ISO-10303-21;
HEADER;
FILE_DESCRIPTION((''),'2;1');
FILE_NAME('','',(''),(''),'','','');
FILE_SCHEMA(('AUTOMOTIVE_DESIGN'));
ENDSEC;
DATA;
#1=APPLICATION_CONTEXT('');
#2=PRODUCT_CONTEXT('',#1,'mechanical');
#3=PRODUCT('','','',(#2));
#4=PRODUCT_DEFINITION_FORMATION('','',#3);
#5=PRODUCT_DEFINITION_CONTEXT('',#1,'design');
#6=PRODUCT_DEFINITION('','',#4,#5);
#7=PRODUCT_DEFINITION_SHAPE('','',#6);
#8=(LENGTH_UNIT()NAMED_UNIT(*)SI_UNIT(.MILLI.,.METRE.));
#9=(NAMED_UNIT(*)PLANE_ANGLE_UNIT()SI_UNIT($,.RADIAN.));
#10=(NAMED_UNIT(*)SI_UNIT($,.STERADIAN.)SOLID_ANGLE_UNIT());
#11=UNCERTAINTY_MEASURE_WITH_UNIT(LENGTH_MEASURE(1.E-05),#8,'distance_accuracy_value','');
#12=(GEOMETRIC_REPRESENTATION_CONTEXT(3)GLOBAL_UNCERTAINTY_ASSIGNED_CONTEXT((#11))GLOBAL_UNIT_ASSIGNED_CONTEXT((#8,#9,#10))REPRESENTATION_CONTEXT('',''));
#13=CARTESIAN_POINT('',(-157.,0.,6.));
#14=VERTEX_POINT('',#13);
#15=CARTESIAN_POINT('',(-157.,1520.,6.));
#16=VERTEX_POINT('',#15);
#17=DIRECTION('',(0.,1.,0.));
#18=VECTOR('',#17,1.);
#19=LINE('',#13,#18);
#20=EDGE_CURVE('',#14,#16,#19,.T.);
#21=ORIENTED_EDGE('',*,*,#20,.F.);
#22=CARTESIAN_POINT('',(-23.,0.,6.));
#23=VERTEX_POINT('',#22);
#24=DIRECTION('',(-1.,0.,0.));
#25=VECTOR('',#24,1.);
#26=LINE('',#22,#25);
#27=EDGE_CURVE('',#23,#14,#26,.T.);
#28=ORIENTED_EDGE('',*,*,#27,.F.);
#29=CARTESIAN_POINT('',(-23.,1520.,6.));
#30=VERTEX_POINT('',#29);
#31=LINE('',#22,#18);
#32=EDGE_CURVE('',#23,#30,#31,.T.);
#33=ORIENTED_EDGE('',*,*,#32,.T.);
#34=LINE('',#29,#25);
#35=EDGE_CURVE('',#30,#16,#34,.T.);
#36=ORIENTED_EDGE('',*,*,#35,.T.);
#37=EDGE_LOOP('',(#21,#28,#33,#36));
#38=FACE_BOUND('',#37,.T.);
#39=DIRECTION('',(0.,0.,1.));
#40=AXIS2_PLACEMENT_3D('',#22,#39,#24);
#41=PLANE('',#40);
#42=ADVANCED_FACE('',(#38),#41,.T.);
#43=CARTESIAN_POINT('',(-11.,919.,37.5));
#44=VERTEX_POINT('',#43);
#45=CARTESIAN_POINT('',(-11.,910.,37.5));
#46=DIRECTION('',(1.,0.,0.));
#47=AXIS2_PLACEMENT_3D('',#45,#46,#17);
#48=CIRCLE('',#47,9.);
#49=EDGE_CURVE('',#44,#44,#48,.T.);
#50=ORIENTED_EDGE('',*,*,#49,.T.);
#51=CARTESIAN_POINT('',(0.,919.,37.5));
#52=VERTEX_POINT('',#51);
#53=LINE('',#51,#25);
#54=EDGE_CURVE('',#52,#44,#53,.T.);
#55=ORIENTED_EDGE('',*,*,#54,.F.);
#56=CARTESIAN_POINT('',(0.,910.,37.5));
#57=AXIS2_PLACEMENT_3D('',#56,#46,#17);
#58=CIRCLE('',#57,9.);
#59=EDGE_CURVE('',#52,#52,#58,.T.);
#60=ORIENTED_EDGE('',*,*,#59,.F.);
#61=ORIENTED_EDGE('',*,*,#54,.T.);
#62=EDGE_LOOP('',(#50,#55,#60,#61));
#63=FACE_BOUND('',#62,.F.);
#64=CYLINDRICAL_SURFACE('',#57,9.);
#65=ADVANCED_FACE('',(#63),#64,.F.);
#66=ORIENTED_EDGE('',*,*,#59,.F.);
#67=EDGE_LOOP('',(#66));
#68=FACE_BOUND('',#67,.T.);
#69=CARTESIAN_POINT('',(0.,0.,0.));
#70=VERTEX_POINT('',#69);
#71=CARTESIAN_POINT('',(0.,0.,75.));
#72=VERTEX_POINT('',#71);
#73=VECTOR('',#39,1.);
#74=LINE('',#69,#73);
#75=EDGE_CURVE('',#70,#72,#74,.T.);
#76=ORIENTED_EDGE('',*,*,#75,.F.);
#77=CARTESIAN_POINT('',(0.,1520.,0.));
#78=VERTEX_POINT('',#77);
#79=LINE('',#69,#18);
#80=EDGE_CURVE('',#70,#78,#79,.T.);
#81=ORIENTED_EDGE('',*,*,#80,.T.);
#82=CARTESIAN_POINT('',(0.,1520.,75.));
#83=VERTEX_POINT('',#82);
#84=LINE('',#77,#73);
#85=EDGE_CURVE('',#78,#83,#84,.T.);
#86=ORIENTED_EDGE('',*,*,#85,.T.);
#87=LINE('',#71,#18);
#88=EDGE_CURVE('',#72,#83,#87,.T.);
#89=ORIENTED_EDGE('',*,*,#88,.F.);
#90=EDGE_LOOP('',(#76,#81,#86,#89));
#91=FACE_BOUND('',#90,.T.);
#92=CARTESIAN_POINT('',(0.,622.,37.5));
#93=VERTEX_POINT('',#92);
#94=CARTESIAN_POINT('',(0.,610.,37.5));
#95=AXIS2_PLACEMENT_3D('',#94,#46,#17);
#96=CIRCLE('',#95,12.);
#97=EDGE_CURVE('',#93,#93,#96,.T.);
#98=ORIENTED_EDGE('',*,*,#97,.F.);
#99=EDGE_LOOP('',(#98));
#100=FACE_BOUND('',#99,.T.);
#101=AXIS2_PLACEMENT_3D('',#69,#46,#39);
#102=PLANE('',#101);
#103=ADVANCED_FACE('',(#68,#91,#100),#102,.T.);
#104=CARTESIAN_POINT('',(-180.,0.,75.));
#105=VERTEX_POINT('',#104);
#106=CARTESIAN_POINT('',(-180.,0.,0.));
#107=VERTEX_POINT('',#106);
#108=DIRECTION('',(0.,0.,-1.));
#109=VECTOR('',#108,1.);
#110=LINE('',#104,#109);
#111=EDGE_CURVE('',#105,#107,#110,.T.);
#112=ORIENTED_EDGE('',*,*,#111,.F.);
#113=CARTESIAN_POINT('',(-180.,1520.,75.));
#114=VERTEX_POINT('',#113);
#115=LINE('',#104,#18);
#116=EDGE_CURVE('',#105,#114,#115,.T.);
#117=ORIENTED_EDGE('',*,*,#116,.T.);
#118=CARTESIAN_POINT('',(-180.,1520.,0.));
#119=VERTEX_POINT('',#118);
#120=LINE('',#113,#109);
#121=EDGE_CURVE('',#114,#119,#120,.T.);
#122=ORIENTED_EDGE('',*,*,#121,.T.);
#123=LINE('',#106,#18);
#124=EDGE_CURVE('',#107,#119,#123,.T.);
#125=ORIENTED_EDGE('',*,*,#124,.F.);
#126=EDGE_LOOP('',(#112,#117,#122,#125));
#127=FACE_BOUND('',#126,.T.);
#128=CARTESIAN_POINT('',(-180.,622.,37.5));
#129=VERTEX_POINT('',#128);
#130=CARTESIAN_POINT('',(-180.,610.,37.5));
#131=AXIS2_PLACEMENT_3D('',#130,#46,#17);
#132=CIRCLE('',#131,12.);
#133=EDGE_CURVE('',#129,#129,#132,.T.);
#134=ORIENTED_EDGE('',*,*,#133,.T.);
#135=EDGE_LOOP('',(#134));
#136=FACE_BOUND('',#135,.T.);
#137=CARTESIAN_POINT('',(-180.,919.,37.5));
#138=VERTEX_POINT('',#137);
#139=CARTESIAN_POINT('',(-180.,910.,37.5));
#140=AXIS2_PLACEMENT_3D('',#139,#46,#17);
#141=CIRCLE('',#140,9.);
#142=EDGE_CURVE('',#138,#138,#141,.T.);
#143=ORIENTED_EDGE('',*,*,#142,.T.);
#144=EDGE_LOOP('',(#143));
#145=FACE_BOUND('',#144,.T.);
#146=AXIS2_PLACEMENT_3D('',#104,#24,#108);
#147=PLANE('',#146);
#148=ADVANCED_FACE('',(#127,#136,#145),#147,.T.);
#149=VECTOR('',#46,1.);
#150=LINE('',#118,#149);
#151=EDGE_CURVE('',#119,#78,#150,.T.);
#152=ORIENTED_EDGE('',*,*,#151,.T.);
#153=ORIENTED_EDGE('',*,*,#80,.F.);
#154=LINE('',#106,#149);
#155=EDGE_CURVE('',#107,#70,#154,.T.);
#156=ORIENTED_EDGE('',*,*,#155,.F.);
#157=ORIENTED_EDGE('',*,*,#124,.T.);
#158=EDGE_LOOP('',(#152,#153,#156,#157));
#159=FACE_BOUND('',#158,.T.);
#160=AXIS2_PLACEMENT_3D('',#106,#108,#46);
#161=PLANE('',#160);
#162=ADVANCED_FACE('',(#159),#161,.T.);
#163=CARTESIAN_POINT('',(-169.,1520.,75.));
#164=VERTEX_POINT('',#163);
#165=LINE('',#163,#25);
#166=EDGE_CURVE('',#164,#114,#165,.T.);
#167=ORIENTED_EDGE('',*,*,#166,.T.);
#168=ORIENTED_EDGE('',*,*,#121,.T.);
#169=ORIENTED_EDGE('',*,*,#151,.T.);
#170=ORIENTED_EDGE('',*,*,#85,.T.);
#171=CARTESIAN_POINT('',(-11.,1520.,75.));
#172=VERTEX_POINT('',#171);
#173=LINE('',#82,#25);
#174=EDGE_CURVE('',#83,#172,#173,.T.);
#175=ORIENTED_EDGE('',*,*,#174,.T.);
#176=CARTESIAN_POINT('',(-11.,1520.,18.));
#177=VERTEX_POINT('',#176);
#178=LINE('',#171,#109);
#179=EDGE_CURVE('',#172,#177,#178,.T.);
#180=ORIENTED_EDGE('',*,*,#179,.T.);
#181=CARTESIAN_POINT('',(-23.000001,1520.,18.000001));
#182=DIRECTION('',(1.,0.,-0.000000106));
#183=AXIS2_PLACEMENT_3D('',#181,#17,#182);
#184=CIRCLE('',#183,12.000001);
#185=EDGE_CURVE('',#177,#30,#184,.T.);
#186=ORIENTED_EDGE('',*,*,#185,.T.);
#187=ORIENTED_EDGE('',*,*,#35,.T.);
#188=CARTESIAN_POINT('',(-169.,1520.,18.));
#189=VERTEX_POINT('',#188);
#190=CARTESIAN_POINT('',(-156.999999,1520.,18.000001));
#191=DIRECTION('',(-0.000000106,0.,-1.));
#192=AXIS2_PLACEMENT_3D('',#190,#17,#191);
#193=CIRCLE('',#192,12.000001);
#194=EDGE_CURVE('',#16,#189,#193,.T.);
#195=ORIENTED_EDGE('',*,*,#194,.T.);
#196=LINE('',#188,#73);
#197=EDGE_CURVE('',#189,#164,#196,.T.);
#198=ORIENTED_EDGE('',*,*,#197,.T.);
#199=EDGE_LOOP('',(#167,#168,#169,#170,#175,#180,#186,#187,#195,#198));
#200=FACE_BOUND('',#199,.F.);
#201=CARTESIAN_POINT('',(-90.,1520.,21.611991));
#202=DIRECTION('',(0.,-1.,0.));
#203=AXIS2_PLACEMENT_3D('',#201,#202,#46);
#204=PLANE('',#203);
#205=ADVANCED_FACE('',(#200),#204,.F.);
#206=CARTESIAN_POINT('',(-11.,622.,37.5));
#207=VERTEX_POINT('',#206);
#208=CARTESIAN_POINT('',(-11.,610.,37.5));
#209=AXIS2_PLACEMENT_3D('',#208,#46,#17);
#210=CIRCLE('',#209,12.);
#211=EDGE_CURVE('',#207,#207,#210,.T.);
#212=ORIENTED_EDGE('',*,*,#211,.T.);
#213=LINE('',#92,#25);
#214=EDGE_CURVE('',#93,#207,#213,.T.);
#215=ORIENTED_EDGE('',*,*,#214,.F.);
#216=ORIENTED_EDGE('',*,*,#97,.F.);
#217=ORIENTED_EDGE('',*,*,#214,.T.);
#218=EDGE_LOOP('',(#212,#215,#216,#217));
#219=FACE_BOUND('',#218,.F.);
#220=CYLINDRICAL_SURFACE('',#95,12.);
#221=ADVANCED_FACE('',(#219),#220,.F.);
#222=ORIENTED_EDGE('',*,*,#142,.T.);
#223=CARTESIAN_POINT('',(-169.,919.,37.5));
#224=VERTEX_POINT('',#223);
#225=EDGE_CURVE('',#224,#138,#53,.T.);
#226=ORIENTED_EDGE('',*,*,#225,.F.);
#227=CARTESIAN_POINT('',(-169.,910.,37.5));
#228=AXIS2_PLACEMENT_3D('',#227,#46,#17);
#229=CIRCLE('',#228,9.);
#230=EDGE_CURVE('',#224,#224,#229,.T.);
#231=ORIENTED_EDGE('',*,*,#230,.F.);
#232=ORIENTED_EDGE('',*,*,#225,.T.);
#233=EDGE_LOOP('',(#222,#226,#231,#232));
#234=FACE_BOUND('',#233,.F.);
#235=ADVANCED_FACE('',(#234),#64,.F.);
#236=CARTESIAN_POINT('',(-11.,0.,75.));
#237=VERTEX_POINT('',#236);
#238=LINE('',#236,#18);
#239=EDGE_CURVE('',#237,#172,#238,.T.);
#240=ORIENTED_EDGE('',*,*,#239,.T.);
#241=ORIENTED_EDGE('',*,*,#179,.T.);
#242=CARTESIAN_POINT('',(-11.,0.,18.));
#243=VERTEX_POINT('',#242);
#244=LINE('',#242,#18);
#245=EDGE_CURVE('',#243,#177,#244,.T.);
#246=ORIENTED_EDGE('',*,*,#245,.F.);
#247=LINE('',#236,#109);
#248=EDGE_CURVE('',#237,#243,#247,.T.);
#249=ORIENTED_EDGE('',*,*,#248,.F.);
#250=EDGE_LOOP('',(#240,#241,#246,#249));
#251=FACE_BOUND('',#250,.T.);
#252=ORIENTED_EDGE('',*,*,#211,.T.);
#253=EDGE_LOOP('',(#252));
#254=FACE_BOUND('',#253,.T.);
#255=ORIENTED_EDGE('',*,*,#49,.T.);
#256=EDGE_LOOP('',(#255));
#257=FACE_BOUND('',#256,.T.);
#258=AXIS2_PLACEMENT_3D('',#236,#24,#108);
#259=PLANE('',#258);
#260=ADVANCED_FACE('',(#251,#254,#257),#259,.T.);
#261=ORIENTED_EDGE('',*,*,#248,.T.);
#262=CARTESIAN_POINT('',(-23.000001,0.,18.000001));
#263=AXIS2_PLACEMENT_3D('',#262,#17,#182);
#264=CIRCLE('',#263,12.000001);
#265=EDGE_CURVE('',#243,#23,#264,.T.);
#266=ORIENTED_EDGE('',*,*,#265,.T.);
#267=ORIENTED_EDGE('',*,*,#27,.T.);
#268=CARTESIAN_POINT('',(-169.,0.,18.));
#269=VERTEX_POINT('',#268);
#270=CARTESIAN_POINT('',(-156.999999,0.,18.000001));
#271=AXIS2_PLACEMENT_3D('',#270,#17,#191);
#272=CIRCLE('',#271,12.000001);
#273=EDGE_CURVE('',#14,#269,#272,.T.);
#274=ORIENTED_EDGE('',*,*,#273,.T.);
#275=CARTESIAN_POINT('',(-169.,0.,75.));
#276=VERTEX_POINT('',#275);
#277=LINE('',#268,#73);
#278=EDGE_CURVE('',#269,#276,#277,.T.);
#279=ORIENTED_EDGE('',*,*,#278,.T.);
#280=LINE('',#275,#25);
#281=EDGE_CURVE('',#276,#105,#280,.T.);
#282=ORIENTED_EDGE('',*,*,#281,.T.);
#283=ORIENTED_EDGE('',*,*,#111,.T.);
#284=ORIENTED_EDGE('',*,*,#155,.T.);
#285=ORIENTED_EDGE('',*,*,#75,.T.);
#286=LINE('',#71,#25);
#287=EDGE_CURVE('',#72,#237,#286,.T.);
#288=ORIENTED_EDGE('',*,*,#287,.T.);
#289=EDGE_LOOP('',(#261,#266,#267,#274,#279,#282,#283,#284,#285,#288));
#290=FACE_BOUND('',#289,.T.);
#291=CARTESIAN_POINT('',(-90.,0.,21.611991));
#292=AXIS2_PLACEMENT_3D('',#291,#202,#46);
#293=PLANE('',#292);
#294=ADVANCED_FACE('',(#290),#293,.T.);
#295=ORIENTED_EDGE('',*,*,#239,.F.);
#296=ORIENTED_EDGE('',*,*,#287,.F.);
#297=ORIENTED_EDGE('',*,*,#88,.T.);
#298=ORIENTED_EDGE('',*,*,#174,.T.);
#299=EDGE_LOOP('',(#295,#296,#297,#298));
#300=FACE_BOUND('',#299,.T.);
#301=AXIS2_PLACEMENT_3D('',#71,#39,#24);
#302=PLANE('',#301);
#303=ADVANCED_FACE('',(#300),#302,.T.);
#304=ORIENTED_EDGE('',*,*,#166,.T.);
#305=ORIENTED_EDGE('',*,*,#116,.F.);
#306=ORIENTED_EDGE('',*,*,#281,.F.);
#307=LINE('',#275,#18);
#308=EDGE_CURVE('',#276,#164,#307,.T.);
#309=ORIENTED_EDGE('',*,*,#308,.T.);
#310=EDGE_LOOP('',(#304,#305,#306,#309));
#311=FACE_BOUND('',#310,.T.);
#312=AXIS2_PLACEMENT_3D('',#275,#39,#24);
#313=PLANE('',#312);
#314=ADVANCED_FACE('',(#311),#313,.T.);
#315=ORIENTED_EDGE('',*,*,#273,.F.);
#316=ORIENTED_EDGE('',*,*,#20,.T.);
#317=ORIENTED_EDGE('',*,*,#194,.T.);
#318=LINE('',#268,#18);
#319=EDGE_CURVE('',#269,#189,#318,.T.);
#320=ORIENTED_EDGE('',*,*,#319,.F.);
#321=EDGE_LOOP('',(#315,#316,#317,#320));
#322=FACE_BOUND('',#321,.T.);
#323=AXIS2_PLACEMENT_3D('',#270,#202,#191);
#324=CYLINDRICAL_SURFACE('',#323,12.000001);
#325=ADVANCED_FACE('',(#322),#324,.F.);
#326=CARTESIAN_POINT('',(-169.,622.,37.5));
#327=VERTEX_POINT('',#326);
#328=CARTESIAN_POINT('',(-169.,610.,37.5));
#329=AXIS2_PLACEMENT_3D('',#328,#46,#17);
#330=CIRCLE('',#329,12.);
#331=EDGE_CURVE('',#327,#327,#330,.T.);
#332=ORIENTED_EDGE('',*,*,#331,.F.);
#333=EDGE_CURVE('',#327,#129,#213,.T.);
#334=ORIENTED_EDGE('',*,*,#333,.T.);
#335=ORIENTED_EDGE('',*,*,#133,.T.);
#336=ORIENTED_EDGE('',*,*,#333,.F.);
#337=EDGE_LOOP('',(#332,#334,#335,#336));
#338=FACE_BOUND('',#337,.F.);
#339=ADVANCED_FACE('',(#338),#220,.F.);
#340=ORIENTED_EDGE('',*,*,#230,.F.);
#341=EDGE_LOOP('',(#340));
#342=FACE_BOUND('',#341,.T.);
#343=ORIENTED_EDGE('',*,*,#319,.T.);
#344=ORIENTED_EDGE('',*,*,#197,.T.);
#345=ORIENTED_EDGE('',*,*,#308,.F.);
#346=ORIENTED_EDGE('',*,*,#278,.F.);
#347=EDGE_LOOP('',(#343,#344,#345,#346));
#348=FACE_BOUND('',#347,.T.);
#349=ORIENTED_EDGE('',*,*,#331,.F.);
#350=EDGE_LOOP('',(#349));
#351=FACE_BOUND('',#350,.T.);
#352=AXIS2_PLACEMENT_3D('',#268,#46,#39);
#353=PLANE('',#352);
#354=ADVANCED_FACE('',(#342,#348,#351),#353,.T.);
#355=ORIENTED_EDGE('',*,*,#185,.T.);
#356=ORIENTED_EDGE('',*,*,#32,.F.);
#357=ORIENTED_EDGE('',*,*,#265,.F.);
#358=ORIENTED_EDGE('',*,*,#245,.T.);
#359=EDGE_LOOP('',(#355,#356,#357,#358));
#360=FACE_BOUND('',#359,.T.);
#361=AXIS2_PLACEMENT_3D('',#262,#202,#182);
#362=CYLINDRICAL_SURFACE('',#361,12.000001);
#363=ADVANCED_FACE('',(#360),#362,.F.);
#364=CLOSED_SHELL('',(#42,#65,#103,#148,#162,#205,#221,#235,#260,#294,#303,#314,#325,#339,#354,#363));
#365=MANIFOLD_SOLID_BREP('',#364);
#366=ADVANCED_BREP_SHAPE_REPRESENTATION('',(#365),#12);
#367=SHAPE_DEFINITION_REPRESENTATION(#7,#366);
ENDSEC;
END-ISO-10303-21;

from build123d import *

# Parameters (mm, degrees)
F1_DEPTH = 1520
F2_R     = 9
F2_R_2   = 12
F3_DEPTH = 180


with BuildPart() as f1:
    # F0 (on Front) → F1 (new body)
    with BuildSketch(Plane.XZ):
        with BuildLine():
            Line((-180, 0), (0, 0))
            Line((0, 0), (0, 75))
            Line((0, 75), (-11, 75))
            Line((-11, 75), (-11, 18))
            ThreePointArc((-11, 18), (-14.514719, 9.514719), (-23, 6))
            Line((-23, 6), (-157, 6))
            ThreePointArc((-157, 6), (-165.485281, 9.514719), (-169, 18))
            Line((-169, 18), (-169, 75))
            Line((-169, 75), (-180, 75))
            Line((-180, 75), (-180, 0))
        make_face()
    extrude(amount=-F1_DEPTH)

    # F2 (on face) → F3 (cut)
    with BuildSketch(Plane.YZ):
        with Locations((910, 37.5)):
            Circle(F2_R)
        with Locations((610, 37.5)):
            Circle(F2_R_2)
    extrude(amount=-F3_DEPTH, mode=Mode.SUBTRACT)


solid = f1.part
